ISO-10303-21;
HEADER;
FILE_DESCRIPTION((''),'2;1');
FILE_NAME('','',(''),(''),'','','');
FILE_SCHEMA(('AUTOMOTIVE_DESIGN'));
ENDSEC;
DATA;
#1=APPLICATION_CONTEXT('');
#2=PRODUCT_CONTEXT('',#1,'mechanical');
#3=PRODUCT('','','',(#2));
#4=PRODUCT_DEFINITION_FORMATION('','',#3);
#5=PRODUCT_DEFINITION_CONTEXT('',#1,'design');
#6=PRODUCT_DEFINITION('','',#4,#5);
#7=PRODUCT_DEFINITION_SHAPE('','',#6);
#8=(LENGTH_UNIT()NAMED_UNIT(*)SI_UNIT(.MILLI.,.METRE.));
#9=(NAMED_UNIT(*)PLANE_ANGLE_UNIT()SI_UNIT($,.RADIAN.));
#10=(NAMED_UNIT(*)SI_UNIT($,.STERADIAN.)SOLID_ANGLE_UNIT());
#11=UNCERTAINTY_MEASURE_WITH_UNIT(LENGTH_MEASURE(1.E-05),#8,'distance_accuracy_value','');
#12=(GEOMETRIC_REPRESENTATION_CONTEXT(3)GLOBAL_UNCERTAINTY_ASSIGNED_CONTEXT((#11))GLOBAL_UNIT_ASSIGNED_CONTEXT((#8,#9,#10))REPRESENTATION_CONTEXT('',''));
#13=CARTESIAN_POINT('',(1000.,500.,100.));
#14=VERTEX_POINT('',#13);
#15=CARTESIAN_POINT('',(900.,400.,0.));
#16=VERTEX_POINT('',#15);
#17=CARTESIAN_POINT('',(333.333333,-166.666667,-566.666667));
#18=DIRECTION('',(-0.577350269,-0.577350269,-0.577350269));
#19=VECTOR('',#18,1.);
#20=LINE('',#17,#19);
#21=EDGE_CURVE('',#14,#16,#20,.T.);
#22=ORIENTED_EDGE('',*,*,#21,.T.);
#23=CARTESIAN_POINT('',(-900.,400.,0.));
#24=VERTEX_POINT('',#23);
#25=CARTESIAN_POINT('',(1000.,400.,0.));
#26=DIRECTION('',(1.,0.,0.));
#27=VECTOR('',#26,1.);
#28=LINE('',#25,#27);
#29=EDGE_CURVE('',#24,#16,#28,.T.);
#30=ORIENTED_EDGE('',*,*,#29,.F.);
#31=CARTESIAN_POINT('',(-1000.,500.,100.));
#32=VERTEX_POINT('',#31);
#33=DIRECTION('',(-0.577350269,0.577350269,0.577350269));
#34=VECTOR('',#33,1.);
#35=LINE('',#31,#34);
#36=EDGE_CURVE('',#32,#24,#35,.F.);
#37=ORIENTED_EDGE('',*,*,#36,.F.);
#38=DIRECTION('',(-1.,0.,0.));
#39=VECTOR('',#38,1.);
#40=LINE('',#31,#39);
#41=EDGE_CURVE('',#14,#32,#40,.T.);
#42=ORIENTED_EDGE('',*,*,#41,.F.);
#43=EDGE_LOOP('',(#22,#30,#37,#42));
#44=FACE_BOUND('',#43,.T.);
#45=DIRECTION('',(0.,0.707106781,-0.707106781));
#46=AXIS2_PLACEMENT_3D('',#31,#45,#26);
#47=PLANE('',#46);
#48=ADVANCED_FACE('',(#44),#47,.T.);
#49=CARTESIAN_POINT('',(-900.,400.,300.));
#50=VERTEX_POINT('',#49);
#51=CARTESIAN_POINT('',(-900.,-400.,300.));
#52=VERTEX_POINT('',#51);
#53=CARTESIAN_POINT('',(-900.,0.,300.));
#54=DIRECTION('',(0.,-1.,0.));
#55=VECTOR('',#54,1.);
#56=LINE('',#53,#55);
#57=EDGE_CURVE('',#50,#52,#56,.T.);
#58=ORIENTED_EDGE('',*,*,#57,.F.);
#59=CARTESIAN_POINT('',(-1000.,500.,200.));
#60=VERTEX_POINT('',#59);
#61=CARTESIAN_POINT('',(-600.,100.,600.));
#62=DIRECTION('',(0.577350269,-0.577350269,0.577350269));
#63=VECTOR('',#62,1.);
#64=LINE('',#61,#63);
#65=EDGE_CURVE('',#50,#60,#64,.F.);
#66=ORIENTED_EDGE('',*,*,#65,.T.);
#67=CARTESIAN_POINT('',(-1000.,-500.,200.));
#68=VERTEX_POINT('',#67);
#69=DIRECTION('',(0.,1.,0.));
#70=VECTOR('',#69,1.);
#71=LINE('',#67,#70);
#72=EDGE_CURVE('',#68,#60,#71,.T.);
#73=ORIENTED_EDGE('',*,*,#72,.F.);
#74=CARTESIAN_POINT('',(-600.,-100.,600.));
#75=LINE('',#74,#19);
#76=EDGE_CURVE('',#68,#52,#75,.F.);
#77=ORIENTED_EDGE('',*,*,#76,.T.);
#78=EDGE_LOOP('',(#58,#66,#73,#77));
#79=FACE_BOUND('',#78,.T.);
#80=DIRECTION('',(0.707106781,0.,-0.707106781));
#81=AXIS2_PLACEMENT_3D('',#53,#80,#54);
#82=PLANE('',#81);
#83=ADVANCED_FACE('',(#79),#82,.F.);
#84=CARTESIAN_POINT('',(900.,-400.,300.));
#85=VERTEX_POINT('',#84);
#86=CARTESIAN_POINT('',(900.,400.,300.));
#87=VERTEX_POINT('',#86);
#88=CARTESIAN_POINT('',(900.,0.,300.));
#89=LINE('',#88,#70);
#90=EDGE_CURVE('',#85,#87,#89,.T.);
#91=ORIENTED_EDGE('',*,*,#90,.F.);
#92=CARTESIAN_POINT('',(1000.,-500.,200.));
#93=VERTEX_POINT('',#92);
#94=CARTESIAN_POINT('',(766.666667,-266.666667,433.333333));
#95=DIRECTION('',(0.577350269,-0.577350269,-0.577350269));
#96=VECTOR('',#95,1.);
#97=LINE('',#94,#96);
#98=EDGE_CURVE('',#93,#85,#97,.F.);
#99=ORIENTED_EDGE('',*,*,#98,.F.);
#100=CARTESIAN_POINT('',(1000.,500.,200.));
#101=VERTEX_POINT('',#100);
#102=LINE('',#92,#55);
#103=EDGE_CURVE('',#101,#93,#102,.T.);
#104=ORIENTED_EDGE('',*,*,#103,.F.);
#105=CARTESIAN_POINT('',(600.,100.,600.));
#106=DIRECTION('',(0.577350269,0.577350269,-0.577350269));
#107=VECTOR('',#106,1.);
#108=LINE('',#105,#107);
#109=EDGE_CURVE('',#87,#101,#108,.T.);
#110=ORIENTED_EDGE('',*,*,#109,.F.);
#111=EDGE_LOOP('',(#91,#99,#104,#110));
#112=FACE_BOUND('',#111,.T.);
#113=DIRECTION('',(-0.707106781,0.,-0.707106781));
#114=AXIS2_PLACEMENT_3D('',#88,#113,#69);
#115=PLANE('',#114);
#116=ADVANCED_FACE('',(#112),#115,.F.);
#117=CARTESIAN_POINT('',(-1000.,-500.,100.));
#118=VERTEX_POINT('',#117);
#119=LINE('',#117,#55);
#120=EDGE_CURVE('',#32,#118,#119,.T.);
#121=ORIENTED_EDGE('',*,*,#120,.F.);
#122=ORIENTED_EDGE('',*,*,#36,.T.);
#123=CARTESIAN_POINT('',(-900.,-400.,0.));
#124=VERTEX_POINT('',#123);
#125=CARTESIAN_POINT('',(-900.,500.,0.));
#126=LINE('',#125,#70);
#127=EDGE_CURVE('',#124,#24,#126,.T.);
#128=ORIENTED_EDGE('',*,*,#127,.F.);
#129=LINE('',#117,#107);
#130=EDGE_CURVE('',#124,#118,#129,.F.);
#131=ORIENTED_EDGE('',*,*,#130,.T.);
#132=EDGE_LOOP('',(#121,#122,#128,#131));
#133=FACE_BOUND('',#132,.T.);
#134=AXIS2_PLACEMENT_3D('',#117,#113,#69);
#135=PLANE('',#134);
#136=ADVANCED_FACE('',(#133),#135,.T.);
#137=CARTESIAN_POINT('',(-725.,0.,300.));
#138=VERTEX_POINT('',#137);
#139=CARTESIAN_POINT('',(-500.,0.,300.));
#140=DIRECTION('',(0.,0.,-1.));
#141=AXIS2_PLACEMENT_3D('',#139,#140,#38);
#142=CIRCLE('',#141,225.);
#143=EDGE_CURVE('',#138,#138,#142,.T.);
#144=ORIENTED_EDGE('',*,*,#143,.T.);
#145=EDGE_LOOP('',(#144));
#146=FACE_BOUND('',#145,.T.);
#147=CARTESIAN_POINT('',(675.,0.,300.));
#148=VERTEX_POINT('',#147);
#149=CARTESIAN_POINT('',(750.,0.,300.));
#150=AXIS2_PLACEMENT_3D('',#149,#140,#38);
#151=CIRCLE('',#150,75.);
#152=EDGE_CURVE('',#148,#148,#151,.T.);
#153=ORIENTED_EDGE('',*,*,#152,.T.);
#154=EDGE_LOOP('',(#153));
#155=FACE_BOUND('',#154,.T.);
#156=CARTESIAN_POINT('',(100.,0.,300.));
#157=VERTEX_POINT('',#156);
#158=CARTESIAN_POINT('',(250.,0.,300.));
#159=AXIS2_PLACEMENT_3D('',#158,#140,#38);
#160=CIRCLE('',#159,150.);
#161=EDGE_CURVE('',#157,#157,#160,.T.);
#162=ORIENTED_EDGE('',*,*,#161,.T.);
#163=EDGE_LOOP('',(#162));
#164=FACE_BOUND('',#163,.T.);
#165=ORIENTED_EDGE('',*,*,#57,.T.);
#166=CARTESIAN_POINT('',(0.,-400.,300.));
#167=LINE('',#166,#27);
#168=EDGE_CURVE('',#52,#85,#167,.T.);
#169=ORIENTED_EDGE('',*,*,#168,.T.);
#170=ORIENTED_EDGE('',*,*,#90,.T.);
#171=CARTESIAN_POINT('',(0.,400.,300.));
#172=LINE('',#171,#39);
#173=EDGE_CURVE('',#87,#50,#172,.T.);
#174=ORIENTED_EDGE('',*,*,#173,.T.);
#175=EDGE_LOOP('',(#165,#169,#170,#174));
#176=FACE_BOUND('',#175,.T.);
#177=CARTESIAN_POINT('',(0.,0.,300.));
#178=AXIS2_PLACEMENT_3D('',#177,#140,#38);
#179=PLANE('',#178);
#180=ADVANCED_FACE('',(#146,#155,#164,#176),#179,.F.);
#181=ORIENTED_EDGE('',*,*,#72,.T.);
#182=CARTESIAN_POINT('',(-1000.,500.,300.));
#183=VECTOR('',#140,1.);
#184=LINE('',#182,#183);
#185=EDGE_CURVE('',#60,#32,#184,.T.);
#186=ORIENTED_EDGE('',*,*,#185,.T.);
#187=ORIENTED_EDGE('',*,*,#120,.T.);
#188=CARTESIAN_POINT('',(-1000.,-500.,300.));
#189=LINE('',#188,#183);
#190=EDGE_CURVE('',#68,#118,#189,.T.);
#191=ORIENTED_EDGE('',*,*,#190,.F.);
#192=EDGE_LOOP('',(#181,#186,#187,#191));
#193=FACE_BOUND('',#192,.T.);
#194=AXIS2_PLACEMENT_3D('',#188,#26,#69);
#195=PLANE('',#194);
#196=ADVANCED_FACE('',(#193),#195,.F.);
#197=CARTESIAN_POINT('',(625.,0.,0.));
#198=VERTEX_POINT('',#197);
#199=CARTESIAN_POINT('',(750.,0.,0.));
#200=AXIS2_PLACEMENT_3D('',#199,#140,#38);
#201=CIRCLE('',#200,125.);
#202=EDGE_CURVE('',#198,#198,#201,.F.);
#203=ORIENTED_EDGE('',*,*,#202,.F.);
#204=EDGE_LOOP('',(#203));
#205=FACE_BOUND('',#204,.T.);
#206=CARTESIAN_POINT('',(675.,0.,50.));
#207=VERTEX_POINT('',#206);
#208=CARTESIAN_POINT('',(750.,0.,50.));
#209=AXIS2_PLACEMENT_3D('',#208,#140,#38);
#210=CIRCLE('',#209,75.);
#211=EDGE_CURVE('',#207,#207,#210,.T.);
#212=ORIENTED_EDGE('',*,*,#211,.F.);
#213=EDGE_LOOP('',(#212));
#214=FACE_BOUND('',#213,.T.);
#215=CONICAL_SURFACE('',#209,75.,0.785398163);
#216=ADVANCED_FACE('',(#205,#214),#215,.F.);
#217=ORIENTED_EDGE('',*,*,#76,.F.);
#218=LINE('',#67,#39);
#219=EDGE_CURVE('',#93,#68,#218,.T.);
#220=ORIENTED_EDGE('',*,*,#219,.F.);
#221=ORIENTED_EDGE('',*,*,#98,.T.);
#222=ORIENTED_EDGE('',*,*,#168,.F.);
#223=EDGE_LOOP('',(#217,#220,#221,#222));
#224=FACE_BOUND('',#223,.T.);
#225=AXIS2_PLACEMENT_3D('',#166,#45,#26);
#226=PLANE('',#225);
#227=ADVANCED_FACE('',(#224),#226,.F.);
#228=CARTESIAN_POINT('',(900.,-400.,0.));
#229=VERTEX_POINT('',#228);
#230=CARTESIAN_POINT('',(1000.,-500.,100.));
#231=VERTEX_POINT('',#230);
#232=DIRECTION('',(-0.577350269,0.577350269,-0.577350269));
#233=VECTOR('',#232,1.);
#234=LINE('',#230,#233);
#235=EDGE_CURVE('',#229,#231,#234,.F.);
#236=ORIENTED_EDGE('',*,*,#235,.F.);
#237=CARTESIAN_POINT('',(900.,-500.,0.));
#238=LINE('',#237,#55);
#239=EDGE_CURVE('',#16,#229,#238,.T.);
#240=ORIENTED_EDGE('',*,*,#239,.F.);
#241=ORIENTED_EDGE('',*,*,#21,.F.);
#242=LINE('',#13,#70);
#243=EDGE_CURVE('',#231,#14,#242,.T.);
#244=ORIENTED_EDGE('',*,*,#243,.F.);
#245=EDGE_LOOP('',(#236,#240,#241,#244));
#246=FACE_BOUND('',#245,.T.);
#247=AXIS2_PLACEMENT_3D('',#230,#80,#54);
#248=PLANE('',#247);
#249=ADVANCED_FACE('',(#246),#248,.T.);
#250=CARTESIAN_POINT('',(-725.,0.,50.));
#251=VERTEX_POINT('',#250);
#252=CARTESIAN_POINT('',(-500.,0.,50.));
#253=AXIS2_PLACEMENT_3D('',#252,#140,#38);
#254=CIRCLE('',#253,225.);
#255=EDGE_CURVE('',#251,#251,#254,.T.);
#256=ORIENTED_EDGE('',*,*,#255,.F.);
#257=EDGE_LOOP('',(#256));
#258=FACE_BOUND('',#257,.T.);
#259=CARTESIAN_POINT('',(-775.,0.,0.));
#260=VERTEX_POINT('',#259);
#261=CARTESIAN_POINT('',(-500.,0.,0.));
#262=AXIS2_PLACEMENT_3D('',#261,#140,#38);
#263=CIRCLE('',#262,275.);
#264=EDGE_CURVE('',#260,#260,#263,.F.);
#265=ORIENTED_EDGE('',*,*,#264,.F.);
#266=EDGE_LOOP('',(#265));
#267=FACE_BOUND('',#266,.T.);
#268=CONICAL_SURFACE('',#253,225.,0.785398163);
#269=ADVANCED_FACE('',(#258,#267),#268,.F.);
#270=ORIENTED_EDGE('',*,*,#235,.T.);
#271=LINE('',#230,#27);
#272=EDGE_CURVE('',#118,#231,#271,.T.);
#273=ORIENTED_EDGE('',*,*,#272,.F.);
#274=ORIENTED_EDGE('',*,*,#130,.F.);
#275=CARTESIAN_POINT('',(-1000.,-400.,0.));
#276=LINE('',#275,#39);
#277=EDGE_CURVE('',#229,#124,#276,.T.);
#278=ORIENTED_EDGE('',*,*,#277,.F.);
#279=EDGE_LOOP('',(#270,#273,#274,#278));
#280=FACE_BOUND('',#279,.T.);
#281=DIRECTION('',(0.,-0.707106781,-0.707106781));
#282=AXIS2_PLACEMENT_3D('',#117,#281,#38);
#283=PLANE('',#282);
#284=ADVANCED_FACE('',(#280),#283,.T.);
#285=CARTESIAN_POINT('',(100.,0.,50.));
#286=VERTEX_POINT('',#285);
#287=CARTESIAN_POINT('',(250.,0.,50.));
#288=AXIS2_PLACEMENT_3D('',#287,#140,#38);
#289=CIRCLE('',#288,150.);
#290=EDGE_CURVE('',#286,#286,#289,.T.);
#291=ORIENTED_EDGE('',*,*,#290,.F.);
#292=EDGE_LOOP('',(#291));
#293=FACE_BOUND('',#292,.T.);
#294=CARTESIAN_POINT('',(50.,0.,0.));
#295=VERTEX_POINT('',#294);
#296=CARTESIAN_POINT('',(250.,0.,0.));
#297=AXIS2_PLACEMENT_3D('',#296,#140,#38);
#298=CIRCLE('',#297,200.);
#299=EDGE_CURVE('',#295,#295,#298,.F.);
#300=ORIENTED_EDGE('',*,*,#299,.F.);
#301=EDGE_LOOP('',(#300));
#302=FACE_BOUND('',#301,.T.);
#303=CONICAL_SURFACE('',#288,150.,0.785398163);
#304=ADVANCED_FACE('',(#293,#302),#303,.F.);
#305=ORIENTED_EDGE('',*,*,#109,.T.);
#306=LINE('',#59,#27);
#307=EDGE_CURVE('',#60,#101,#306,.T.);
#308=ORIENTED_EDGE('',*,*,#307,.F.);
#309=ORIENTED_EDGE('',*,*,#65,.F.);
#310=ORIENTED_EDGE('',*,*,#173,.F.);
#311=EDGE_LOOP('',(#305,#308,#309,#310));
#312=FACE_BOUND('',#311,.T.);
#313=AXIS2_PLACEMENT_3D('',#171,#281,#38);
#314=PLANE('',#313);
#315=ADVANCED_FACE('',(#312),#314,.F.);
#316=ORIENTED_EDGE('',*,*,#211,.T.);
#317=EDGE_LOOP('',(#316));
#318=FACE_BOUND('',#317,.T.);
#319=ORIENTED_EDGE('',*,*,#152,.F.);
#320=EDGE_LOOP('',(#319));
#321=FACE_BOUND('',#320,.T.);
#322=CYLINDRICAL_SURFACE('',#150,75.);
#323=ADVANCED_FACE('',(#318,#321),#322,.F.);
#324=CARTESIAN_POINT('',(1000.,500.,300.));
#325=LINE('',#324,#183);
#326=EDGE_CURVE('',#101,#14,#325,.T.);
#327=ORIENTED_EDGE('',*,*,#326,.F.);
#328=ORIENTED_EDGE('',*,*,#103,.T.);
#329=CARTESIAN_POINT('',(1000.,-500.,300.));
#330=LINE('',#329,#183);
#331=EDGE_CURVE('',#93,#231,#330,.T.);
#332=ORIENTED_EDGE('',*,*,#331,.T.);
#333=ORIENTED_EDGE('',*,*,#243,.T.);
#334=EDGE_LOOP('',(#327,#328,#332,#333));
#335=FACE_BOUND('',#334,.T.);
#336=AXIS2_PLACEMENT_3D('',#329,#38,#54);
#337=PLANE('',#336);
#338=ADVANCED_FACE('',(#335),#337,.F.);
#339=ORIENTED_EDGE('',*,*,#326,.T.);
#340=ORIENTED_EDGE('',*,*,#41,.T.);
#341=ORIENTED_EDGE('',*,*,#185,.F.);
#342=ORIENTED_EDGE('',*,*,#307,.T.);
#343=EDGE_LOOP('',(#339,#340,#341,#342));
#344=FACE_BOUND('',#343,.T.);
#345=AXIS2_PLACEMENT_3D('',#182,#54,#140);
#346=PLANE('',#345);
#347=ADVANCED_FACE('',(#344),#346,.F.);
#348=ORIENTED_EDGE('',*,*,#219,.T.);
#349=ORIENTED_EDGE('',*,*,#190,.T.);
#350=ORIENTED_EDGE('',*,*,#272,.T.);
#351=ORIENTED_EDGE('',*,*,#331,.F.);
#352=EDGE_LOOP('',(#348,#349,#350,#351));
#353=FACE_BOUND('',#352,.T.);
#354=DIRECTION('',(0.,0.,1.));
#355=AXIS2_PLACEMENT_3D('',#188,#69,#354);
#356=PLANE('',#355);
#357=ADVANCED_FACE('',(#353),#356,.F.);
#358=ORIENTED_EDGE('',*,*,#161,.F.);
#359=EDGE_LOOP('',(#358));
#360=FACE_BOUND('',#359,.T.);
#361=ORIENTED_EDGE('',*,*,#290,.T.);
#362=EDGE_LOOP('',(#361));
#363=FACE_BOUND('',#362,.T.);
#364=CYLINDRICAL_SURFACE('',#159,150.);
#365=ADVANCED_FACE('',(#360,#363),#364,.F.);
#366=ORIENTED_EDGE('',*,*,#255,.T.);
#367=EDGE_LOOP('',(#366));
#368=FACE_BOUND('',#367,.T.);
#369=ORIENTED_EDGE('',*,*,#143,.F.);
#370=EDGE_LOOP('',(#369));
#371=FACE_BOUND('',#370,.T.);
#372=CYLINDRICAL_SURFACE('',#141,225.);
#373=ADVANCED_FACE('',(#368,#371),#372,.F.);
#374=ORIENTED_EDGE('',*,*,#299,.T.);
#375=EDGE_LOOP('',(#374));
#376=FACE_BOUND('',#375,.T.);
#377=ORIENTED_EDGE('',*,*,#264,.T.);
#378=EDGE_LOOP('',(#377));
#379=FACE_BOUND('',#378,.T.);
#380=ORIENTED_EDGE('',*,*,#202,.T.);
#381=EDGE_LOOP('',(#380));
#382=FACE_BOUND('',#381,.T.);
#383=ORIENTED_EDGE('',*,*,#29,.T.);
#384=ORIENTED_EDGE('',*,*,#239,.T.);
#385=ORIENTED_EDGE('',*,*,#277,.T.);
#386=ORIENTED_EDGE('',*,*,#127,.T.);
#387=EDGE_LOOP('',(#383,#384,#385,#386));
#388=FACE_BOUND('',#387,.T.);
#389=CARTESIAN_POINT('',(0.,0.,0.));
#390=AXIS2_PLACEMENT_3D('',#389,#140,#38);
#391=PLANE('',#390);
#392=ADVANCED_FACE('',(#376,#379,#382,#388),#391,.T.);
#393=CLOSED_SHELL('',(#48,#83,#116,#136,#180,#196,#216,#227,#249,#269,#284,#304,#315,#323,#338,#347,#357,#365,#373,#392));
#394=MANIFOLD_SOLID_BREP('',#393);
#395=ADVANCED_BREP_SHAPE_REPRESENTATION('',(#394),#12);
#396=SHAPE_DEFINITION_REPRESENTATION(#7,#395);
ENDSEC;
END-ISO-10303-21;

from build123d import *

# Parameters (mm, degrees)
ESQUISSE1_W             = 2000
ESQUISSE1_H             = 1000
BOSS_EXTRU_1_DEPTH      = 300
CHANFREIN1_SIZE         = 100
ESQUISSE2_R             = 75
ESQUISSE2_R_2           = 225
ESQUISSE2_R_3           = 150
ENL_V_MAT_EXTRU_1_DEPTH = 1158.583690279
CHANFREIN2_SIZE         = 50


with BuildPart() as part:
    # Esquisse1 → Boss.-Extru.1 (new body)
    with BuildSketch(Plane.XY):
        Rectangle(ESQUISSE1_W, ESQUISSE1_H)
    extrude(amount=BOSS_EXTRU_1_DEPTH)

    # Chanfrein1
    chanfrein1_edges = [part.edges().sort_by_distance(p)[0] for p in [
        (-1000, 0, 300),
        (0, -500, 300),
        (1000, 0, 300),
        (0, -500, 0),
        (-1000, 0, 0),
        (0, 500, 0),
        (1000, 0, 0),
        (0, 500, 300),
    ]]
    chamfer(chanfrein1_edges, length=CHANFREIN1_SIZE)

    # Esquisse2 → Enlèv. mat.-Extru.1 (cut, through all)
    with BuildSketch(Plane(origin=(0, 0, 0), x_dir=(-1, 0, 0), z_dir=(0, 0, -1))):
        with Locations((-750, 0)):
            Circle(ESQUISSE2_R)
        with Locations((500, 0)):
            Circle(ESQUISSE2_R_2)
        with Locations((-250, 0)):
            Circle(ESQUISSE2_R_3)
    extrude(amount=-ENL_V_MAT_EXTRU_1_DEPTH, mode=Mode.SUBTRACT)

    # Chanfrein2
    chanfrein2_edges = [part.edges().sort_by_distance(p)[0] for p in [
        (825, 0, 0),
        (400, 0, 0),
        (-275, 0, 0),
    ]]
    chamfer(chanfrein2_edges, length=CHANFREIN2_SIZE)


solid = part.part
